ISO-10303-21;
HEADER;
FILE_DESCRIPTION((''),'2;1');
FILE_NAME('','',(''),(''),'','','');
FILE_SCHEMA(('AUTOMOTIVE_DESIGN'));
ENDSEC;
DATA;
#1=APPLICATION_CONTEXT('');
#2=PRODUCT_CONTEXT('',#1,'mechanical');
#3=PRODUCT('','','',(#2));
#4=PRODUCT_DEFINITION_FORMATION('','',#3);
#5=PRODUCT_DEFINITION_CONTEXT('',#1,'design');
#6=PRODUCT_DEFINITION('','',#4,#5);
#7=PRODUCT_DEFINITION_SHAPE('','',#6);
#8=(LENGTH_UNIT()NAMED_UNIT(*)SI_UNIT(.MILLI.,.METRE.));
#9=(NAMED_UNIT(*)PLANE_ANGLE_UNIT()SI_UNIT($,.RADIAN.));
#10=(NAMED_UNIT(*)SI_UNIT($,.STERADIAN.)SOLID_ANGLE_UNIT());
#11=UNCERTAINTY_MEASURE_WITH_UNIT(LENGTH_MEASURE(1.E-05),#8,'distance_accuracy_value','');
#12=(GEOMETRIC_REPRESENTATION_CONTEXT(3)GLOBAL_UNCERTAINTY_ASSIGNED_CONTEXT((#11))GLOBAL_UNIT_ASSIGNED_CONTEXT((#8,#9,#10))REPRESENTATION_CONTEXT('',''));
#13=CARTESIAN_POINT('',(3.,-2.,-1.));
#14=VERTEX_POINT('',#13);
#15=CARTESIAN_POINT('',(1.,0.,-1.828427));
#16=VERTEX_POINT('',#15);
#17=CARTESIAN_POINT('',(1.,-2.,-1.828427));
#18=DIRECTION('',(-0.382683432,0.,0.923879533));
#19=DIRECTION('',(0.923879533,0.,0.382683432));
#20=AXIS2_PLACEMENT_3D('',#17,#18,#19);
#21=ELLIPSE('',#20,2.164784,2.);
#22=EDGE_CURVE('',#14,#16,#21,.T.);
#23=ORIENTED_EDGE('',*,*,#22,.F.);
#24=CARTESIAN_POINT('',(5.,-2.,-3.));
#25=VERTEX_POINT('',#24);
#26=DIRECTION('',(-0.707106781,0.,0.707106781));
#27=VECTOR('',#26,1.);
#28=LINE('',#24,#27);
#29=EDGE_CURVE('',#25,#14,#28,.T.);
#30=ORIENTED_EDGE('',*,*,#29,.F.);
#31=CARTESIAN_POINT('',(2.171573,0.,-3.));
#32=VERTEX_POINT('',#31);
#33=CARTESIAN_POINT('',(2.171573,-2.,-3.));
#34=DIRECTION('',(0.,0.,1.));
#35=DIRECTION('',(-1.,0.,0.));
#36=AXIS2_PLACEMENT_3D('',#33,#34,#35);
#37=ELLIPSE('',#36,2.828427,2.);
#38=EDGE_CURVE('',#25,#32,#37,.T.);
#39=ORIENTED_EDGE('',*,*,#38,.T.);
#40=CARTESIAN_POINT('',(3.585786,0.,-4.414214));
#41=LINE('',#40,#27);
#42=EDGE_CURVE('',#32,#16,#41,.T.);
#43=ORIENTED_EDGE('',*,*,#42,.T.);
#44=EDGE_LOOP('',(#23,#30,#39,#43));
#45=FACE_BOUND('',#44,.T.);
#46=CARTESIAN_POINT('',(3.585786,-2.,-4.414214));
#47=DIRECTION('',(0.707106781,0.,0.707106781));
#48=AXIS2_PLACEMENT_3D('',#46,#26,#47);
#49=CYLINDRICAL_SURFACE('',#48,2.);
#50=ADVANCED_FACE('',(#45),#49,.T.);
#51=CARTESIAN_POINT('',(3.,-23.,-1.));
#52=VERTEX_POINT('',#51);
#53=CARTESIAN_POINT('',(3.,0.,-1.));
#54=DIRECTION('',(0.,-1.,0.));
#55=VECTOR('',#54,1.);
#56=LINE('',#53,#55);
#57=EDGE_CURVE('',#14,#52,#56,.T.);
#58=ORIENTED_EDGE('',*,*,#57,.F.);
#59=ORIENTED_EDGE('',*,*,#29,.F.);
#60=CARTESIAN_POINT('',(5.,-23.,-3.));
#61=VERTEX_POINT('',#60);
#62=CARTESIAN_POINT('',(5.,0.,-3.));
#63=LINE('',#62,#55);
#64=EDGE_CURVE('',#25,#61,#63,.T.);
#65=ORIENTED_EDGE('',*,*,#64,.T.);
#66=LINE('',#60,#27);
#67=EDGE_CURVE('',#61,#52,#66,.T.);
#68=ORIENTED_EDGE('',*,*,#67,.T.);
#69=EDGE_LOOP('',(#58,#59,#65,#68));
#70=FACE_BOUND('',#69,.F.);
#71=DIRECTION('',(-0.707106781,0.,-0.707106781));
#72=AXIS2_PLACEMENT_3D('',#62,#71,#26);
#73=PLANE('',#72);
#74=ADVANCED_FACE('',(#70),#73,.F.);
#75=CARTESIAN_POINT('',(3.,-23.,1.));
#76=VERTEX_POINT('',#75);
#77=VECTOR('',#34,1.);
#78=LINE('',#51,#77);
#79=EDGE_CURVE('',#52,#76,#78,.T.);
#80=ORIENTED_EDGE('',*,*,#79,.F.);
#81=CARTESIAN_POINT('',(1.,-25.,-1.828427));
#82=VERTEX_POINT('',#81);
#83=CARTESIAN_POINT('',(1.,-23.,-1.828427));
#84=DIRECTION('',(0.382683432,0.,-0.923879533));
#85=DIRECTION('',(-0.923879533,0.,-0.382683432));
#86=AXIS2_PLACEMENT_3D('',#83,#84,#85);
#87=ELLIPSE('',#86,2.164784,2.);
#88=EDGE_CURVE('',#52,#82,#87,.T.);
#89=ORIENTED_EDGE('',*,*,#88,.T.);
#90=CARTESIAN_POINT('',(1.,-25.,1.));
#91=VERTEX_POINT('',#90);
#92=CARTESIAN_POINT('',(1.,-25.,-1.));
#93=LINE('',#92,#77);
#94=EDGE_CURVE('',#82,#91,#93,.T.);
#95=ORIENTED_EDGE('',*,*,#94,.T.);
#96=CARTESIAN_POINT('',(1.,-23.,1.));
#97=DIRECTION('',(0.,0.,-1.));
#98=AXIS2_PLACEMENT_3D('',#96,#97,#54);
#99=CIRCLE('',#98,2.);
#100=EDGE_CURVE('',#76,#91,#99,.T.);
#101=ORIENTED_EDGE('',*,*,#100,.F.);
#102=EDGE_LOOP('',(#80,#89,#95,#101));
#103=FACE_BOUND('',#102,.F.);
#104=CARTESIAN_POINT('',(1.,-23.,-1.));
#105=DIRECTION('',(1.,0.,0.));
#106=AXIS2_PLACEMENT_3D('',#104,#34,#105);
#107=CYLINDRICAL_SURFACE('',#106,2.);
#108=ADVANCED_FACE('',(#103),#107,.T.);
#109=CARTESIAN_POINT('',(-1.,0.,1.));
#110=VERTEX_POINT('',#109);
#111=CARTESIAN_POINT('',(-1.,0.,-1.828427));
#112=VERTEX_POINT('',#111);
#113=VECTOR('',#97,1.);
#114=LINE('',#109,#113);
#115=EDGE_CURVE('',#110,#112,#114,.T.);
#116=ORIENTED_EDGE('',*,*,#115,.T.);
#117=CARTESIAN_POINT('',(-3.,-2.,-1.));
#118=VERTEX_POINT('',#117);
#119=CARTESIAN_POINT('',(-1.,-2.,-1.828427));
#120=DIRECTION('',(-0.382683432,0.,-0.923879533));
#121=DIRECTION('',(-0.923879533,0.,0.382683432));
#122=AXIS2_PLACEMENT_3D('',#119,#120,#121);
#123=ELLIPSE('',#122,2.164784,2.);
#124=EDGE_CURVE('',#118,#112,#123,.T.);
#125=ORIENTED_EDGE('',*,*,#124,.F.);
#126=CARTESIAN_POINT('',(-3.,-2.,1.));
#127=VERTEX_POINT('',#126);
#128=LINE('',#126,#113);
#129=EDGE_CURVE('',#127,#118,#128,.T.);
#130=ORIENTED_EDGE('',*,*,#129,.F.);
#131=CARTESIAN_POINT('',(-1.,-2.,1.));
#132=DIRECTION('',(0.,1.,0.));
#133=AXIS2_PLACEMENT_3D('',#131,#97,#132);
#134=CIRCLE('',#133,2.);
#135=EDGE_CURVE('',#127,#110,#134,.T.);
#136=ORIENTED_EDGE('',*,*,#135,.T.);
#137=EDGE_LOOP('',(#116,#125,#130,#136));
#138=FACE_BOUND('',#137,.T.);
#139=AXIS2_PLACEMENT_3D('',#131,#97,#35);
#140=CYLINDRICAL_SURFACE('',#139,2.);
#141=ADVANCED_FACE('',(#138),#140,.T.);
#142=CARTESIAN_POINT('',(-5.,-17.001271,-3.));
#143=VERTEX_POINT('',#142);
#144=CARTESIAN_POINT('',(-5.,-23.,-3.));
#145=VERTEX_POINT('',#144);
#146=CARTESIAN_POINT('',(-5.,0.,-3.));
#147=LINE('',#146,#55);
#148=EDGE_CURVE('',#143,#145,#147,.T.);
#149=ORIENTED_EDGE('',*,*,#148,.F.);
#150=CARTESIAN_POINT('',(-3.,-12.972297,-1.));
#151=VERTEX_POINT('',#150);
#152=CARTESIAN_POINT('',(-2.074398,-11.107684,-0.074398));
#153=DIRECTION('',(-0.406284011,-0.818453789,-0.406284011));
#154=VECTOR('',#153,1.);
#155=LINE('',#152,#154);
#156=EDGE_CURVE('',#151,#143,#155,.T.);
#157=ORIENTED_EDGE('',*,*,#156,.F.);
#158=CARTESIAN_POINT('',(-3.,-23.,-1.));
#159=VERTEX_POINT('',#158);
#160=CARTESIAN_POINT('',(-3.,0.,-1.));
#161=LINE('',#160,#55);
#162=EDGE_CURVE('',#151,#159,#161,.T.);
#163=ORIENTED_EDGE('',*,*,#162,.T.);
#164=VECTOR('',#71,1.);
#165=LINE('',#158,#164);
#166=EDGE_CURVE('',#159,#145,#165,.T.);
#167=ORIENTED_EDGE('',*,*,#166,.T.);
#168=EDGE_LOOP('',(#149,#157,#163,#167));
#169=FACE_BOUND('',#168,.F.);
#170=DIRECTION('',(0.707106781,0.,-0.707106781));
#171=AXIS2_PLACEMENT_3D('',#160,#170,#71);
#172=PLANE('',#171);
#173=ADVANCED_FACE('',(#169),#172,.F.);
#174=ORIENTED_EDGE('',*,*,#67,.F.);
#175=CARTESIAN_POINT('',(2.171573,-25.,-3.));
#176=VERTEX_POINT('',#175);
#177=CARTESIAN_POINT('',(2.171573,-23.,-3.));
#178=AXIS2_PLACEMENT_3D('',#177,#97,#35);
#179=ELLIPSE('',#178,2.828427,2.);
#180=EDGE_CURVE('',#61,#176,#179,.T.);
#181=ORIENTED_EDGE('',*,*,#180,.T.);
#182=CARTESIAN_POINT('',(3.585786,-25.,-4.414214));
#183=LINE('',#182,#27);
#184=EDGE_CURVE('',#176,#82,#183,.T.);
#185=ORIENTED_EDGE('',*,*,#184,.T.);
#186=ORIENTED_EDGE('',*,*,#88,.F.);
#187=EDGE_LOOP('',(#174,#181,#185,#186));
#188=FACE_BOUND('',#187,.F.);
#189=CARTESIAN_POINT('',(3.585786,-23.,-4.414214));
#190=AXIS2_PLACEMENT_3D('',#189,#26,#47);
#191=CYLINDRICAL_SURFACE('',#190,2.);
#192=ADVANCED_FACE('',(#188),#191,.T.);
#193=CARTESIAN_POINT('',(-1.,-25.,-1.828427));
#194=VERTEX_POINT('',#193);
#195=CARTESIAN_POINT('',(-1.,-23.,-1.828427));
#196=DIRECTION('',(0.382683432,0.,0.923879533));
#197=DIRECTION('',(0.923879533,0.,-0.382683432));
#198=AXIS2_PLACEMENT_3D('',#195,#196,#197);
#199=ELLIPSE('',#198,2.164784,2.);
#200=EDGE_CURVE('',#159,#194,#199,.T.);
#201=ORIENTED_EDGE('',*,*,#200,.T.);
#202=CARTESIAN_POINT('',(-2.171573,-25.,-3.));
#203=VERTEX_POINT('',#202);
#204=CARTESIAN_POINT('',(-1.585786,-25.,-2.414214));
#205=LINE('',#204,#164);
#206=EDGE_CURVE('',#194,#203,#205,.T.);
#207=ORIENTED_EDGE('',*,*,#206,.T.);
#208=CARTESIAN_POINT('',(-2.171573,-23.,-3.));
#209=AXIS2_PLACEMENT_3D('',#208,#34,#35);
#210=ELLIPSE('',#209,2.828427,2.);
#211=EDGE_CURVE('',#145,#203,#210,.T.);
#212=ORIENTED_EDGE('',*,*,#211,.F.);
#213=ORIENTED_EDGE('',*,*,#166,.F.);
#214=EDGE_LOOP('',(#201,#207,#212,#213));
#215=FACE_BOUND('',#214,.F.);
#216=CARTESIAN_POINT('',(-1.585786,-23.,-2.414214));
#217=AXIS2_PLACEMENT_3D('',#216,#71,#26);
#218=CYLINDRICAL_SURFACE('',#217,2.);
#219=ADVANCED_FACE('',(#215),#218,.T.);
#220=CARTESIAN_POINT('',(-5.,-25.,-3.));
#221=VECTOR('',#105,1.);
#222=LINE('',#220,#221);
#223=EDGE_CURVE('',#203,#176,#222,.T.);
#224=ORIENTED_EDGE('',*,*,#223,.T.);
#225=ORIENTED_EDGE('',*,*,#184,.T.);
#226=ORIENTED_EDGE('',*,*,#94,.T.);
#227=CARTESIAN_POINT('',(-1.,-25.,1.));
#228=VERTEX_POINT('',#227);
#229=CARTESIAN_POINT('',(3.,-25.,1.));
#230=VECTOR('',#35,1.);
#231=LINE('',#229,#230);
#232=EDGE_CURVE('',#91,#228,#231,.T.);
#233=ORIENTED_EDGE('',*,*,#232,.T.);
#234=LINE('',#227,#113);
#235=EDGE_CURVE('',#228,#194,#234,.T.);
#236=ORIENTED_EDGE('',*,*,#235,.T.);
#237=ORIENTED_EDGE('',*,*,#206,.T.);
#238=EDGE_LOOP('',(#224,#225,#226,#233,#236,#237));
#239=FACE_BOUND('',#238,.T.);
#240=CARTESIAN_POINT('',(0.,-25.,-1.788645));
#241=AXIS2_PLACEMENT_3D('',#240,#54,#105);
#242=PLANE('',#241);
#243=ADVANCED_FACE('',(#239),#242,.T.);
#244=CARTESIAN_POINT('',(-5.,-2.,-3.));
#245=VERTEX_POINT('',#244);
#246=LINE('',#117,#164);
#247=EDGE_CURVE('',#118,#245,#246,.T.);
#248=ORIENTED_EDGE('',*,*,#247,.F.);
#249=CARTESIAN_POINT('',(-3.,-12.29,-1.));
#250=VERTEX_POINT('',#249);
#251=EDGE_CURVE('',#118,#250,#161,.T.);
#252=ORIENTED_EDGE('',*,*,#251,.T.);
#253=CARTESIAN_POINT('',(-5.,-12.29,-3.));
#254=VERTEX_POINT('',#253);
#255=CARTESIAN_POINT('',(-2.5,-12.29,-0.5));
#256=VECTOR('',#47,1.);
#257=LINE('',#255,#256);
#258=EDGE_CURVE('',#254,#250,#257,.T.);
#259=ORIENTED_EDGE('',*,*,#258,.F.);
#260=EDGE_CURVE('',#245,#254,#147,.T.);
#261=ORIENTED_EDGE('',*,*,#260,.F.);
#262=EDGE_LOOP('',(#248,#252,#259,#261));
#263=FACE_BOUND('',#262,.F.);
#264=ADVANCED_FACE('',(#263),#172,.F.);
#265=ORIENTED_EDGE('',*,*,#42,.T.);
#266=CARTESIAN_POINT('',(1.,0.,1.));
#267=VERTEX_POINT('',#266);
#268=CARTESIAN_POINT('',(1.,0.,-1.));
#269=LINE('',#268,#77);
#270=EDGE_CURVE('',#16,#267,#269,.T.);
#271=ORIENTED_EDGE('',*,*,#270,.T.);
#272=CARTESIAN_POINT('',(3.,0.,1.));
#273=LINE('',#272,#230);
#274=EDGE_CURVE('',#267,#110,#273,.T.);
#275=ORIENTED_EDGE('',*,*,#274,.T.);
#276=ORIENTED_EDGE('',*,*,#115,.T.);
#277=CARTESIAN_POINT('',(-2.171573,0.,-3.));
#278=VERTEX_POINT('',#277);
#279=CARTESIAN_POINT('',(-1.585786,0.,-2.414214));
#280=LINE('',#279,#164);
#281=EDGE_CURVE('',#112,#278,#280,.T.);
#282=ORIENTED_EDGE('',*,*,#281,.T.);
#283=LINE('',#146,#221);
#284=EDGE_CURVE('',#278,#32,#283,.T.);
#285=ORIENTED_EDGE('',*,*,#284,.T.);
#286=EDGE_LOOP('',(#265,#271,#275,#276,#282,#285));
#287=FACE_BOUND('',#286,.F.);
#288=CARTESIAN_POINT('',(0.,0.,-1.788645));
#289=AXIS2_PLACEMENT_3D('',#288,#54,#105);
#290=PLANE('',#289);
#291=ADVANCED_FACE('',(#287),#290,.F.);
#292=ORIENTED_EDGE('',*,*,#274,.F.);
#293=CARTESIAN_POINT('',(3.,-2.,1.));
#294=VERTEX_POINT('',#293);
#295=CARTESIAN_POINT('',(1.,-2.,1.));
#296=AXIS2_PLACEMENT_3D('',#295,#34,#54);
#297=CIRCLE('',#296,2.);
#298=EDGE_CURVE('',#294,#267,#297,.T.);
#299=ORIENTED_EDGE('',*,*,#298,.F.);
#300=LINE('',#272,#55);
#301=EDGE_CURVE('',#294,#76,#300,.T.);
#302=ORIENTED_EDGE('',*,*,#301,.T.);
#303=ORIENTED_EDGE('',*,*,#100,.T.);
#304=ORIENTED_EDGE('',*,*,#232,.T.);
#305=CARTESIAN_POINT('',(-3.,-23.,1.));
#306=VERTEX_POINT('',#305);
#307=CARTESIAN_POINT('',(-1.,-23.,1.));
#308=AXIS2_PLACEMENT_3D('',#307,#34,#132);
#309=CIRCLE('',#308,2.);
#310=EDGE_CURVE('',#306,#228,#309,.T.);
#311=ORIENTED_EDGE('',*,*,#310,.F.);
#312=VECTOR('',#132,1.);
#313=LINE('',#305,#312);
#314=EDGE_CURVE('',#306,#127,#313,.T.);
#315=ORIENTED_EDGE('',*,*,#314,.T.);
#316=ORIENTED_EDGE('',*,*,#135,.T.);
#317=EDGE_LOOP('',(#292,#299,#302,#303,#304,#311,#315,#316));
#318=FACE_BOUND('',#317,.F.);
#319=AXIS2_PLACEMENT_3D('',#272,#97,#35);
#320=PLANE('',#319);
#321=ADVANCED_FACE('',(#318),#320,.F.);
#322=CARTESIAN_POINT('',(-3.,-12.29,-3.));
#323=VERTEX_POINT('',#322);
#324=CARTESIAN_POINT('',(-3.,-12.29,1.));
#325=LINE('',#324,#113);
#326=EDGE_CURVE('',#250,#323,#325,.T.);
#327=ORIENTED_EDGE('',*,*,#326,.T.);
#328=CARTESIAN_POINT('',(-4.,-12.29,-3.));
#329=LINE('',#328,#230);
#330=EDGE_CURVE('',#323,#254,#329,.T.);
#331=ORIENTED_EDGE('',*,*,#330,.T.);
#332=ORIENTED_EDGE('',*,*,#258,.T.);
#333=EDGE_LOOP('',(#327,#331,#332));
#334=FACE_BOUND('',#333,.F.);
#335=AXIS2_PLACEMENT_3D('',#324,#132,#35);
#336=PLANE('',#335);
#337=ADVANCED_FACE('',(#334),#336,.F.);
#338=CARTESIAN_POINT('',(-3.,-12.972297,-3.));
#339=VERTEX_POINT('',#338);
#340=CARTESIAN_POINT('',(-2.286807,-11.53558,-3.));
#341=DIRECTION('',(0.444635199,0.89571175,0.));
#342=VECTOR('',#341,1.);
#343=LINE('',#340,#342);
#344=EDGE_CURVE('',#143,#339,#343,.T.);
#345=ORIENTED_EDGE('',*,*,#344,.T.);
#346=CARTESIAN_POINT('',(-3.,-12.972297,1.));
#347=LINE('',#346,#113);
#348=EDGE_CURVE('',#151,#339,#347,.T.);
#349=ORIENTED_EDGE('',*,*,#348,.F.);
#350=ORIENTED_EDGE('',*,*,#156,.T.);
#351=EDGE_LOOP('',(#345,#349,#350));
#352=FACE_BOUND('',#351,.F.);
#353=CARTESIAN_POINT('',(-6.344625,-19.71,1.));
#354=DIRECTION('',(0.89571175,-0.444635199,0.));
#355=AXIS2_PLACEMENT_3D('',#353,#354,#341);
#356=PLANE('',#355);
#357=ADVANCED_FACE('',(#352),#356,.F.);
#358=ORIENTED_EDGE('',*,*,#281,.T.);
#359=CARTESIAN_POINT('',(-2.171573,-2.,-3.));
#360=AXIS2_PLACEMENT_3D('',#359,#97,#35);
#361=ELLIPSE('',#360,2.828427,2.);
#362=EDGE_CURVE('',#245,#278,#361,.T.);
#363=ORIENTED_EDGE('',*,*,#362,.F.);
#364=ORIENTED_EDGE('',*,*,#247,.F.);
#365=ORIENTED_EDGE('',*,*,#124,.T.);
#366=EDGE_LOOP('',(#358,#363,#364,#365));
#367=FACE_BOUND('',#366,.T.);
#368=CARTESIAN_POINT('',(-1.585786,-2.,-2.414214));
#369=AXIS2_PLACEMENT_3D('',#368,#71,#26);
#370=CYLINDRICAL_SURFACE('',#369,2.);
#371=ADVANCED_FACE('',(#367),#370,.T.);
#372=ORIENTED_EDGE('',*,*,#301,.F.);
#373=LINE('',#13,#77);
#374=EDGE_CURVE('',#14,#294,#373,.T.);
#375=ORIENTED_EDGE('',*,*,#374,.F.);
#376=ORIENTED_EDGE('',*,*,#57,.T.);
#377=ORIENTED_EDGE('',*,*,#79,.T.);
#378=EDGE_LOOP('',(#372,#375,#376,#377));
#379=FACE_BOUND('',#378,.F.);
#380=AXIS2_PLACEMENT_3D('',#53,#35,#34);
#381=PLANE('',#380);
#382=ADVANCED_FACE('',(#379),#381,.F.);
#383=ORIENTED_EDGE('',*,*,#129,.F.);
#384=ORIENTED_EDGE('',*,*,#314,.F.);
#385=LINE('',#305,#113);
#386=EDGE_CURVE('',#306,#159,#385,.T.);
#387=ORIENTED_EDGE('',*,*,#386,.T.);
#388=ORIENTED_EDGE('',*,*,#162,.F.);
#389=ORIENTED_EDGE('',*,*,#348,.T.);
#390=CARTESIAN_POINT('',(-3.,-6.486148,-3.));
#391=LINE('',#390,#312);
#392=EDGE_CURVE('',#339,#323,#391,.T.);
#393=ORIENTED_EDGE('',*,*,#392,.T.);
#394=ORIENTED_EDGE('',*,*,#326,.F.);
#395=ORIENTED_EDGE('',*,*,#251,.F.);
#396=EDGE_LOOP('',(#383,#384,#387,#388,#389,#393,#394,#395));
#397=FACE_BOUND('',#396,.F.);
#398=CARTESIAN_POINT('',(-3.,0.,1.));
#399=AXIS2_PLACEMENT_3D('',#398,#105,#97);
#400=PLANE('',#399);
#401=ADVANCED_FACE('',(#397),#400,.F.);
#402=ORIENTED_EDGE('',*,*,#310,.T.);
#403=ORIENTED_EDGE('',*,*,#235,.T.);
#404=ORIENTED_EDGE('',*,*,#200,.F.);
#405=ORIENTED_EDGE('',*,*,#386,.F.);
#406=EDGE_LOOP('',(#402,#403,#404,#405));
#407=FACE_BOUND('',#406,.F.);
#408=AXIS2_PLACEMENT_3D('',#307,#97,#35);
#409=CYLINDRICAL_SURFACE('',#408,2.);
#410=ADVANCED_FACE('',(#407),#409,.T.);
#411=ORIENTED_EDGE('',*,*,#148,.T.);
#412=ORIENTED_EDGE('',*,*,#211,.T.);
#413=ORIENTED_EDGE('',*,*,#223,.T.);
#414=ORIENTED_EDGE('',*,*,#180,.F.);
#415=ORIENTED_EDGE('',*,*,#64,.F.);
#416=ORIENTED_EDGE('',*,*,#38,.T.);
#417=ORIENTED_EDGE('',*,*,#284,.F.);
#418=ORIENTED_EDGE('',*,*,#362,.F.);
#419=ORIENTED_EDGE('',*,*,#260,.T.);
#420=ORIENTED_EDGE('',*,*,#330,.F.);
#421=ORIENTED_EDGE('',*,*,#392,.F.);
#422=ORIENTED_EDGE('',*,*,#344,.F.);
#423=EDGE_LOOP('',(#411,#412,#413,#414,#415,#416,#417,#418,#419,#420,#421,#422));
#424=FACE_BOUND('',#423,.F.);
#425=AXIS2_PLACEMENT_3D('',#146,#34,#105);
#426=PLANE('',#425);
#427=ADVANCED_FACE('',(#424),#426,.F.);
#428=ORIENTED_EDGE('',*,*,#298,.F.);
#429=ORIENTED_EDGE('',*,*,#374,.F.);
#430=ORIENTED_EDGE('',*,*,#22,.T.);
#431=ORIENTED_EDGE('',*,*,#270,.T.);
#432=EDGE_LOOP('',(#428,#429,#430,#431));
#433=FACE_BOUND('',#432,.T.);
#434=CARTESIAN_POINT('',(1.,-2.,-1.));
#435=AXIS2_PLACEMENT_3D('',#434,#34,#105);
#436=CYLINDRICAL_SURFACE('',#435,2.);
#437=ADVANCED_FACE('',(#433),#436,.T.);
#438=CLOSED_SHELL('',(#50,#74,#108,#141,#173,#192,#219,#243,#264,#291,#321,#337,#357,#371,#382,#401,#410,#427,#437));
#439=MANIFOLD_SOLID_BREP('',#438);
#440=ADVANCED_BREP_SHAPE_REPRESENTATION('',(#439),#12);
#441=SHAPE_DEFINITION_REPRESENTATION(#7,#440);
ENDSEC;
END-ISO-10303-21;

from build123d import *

# Parameters (mm, degrees)
F1_DEPTH = 25
F2_R     = 2
F4_DEPTH = 25


with BuildPart() as f1:
    # F0 (on Front) → F1 (new body)
    with BuildSketch(Plane.XZ):
        Polygon((3, 0), (0, 0), (-3, 0), (-3, -1), (-5, -3), (5, -3), (3, -1), align=None)
        Polygon((-3, 0), (0, 0), (3, 0), (3, 1), (-3, 1), align=None)
    extrude(amount=F1_DEPTH)

    # F2
    f2_edges = [f1.edges().sort_by_distance(p)[0] for p in [
        (-3, -25, 0),
        (-4, -25, -2),
        (4, -25, -2),
        (3, -25, 0),
        (-4, 0, -2),
        (3, 0, 0),
        (4, 0, -2),
        (-3, 0, 0),
    ]]
    fillet(f2_edges, radius=F2_R)

    # F3 (on face) → F4 (cut)
    with BuildSketch(Plane.XY.offset(1)):
        Polygon((-3, -12.972297), (-3, -12.5), (-3, -12.29), (-7.69, -12.29), (-7.69, -19.71), (-6.344625, -19.71), align=None)
        Polygon((-7.48, -12.5), (-3, -12.5), (-6.47483, -19.5), (-7.48, -19.5), align=None, mode=Mode.SUBTRACT)
        Polygon((-6.47483, -19.5), (-3, -12.5), (-7.48, -12.5), (-7.48, -19.5), align=None)
    extrude(amount=-F4_DEPTH, mode=Mode.SUBTRACT)


solid = f1.part
